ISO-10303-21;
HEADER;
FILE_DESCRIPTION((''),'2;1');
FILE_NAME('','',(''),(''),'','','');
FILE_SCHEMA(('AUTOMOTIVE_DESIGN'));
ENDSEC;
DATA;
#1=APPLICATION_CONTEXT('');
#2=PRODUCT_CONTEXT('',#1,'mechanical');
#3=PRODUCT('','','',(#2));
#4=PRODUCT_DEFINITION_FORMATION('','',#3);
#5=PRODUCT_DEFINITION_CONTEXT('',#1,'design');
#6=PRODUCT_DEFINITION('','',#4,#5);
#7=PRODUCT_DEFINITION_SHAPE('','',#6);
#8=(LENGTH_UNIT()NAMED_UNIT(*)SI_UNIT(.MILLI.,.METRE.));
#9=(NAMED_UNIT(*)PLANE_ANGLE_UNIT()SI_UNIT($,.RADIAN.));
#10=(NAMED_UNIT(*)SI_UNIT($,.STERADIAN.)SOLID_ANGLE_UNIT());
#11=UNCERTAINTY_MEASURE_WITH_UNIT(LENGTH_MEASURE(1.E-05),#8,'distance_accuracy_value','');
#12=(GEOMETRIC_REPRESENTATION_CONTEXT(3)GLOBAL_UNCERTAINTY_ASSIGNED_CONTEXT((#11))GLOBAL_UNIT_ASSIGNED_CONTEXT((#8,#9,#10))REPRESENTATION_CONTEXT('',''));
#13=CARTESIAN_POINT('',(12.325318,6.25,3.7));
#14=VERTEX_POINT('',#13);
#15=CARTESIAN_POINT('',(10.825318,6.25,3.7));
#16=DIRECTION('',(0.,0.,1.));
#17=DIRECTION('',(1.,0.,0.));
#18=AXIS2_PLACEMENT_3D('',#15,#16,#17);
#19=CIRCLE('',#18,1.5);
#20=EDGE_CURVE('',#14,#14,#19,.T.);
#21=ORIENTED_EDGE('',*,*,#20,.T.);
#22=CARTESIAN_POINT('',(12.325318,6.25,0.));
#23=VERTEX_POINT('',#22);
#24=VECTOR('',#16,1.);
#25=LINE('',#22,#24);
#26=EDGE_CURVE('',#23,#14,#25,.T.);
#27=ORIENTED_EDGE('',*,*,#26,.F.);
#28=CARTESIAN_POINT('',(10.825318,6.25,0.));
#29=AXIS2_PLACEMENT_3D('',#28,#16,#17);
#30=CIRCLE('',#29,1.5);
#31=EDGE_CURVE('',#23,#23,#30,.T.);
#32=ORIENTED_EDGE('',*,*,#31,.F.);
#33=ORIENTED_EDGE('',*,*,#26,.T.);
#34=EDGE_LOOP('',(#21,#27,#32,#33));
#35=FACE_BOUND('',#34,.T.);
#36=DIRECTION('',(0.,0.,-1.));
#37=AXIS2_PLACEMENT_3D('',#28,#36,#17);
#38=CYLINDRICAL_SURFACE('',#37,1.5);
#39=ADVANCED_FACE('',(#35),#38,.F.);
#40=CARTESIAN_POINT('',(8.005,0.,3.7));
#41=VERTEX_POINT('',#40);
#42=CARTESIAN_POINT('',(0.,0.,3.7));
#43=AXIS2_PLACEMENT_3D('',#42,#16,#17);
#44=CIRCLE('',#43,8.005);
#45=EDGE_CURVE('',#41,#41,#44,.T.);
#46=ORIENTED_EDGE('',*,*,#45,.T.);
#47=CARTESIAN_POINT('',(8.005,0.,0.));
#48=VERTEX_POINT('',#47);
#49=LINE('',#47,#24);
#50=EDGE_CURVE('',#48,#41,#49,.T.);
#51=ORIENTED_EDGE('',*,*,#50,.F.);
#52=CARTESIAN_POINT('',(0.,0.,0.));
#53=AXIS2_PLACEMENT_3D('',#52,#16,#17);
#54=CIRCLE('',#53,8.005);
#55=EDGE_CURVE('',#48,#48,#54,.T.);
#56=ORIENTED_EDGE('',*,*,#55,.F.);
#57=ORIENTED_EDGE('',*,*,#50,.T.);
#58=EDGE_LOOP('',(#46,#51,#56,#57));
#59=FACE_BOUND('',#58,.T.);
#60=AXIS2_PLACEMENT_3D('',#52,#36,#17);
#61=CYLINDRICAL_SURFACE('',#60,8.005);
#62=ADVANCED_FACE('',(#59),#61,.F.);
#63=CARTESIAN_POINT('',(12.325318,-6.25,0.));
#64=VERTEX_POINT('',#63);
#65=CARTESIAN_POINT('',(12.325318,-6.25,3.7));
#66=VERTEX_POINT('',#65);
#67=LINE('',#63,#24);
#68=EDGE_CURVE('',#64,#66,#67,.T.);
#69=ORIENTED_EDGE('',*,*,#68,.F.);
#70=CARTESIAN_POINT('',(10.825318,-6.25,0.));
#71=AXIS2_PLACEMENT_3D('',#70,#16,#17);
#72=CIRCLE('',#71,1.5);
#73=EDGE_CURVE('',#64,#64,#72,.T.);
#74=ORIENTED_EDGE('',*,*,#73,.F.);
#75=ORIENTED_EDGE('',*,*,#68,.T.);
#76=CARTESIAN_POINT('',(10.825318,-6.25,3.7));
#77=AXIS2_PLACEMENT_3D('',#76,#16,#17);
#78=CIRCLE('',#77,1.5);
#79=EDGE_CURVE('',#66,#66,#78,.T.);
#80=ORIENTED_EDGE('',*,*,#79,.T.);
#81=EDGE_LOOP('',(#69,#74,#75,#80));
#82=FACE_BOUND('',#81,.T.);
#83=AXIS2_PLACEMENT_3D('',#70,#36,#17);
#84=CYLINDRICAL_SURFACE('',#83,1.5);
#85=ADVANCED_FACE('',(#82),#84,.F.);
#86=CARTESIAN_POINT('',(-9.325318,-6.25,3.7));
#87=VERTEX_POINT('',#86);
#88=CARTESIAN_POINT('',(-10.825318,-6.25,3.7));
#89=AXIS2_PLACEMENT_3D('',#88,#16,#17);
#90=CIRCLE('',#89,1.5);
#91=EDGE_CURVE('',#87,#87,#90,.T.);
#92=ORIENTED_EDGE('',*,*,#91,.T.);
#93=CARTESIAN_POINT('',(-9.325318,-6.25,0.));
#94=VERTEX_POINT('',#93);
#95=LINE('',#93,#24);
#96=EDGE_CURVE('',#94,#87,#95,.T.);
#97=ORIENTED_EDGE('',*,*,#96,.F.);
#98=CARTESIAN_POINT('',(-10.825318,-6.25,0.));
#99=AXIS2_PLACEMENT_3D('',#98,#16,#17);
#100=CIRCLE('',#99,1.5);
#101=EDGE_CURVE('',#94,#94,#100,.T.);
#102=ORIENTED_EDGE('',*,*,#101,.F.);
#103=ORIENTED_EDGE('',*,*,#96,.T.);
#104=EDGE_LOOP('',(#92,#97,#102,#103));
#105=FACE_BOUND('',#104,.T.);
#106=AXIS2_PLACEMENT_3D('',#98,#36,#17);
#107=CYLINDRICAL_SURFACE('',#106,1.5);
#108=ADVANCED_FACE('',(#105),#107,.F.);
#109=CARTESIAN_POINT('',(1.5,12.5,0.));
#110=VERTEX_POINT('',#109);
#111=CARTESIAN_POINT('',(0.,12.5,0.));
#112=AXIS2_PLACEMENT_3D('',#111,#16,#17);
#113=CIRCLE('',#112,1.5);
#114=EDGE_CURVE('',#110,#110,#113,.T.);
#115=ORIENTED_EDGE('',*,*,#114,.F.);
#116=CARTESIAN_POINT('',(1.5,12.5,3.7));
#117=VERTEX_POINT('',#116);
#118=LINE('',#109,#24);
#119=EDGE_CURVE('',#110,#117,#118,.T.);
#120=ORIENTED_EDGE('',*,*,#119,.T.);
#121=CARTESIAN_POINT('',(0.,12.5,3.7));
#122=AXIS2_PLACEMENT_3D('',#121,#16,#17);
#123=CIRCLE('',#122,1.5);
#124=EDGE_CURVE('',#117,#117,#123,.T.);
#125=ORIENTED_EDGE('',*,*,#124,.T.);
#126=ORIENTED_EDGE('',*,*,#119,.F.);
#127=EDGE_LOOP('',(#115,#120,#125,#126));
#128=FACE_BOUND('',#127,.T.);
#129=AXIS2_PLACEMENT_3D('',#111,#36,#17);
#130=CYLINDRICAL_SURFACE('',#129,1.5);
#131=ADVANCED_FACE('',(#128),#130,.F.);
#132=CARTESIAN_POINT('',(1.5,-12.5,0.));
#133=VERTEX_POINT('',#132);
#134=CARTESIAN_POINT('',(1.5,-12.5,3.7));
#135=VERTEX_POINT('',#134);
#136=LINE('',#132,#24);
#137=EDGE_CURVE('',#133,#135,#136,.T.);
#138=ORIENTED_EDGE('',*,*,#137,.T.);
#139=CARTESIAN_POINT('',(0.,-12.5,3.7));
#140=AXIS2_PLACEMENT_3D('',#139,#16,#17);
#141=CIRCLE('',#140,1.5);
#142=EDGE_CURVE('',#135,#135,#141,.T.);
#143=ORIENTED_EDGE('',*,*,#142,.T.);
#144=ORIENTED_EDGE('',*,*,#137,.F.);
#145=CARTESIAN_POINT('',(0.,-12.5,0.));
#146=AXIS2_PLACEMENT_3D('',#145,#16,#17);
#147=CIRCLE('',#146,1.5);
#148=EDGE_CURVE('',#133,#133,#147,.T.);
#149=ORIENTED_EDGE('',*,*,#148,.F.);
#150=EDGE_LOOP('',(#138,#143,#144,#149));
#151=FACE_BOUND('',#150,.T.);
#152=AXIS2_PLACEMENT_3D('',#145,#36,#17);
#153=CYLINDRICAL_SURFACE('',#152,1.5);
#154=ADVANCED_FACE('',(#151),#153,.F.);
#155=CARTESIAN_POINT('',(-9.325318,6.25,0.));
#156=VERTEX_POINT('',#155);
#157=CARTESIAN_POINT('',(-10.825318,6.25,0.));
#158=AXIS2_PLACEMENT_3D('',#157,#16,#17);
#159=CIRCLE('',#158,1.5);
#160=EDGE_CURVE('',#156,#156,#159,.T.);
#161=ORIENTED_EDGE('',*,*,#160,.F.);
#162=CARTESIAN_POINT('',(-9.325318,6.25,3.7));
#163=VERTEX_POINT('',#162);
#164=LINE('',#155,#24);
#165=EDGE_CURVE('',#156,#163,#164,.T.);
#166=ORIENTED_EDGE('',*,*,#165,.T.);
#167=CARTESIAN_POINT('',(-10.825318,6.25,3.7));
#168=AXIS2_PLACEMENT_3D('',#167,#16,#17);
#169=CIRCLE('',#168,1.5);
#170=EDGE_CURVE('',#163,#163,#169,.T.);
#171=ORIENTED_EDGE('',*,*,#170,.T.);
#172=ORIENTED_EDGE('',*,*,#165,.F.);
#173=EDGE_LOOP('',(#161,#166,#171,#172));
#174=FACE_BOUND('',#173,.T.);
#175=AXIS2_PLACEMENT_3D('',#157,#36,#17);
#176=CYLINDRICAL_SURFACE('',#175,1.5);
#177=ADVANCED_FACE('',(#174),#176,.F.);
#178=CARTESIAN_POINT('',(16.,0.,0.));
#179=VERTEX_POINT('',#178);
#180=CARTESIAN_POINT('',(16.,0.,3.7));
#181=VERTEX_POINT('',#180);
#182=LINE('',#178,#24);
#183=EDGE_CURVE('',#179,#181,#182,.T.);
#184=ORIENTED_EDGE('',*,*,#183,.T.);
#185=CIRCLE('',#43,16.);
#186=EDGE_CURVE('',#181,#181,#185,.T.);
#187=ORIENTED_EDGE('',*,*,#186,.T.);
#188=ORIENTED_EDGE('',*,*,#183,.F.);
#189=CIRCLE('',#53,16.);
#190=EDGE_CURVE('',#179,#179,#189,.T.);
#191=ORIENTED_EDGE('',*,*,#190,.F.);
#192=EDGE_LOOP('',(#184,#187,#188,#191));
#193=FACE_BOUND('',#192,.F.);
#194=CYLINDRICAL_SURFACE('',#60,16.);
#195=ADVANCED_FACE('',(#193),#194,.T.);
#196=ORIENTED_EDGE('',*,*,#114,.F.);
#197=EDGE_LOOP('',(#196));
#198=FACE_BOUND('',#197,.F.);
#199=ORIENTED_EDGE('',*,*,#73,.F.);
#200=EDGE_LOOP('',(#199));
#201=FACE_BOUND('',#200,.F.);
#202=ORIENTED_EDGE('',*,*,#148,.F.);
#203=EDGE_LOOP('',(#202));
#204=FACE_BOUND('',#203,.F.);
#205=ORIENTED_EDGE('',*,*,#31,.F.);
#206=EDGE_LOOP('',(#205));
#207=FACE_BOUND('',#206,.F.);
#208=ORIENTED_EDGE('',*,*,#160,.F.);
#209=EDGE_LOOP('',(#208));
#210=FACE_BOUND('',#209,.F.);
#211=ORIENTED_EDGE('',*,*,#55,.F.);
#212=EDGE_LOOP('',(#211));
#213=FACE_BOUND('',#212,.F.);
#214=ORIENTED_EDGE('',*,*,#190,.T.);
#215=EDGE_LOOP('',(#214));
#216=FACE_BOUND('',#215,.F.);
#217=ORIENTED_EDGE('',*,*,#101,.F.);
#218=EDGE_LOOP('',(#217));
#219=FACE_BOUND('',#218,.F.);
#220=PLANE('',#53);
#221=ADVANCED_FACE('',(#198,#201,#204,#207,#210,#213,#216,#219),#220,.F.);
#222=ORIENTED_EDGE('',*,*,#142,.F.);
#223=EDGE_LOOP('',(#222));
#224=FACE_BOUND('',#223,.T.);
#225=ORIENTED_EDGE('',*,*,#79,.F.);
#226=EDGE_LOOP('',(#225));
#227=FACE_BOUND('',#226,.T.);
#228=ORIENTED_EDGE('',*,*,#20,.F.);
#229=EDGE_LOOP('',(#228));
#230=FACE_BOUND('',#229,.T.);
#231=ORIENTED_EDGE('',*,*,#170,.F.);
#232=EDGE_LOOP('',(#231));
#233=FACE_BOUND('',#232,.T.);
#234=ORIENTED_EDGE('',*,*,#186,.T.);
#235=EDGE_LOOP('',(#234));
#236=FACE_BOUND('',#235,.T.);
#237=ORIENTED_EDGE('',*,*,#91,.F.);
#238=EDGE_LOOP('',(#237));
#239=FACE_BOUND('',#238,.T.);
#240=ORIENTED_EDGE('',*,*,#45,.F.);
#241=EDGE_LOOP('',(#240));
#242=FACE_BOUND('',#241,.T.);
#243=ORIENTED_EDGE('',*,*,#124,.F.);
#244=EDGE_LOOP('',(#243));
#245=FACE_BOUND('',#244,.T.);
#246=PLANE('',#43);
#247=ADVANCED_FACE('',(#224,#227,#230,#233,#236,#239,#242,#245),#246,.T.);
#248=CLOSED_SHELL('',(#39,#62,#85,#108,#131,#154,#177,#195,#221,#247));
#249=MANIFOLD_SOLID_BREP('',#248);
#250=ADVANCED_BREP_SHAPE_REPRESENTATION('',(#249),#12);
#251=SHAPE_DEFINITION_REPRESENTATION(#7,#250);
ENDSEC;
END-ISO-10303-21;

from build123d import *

# Parameters (mm, degrees)
F0_R     = 16
F0_R_2   = 1.5
F0_R_3   = 8.005
F1_DEPTH = 3.7


with BuildPart() as f1:
    # F0 (on Top) → F1 (new body)
    with BuildSketch(Plane.XY):
        Circle(F0_R)
        with Locations((-10.825318, -6.25)):
            Circle(F0_R_2, mode=Mode.SUBTRACT)
        with Locations((0, -12.5)):
            Circle(F0_R_2, mode=Mode.SUBTRACT)
        with Locations((10.825318, -6.25)):
            Circle(F0_R_2, mode=Mode.SUBTRACT)
        with Locations((-10.825318, 6.25)):
            Circle(F0_R_2, mode=Mode.SUBTRACT)
        Circle(F0_R_3, mode=Mode.SUBTRACT)
        with Locations((10.825318, 6.25)):
            Circle(F0_R_2, mode=Mode.SUBTRACT)
        with Locations((0, 12.5)):
            Circle(F0_R_2, mode=Mode.SUBTRACT)
    extrude(amount=F1_DEPTH)


solid = f1.part
